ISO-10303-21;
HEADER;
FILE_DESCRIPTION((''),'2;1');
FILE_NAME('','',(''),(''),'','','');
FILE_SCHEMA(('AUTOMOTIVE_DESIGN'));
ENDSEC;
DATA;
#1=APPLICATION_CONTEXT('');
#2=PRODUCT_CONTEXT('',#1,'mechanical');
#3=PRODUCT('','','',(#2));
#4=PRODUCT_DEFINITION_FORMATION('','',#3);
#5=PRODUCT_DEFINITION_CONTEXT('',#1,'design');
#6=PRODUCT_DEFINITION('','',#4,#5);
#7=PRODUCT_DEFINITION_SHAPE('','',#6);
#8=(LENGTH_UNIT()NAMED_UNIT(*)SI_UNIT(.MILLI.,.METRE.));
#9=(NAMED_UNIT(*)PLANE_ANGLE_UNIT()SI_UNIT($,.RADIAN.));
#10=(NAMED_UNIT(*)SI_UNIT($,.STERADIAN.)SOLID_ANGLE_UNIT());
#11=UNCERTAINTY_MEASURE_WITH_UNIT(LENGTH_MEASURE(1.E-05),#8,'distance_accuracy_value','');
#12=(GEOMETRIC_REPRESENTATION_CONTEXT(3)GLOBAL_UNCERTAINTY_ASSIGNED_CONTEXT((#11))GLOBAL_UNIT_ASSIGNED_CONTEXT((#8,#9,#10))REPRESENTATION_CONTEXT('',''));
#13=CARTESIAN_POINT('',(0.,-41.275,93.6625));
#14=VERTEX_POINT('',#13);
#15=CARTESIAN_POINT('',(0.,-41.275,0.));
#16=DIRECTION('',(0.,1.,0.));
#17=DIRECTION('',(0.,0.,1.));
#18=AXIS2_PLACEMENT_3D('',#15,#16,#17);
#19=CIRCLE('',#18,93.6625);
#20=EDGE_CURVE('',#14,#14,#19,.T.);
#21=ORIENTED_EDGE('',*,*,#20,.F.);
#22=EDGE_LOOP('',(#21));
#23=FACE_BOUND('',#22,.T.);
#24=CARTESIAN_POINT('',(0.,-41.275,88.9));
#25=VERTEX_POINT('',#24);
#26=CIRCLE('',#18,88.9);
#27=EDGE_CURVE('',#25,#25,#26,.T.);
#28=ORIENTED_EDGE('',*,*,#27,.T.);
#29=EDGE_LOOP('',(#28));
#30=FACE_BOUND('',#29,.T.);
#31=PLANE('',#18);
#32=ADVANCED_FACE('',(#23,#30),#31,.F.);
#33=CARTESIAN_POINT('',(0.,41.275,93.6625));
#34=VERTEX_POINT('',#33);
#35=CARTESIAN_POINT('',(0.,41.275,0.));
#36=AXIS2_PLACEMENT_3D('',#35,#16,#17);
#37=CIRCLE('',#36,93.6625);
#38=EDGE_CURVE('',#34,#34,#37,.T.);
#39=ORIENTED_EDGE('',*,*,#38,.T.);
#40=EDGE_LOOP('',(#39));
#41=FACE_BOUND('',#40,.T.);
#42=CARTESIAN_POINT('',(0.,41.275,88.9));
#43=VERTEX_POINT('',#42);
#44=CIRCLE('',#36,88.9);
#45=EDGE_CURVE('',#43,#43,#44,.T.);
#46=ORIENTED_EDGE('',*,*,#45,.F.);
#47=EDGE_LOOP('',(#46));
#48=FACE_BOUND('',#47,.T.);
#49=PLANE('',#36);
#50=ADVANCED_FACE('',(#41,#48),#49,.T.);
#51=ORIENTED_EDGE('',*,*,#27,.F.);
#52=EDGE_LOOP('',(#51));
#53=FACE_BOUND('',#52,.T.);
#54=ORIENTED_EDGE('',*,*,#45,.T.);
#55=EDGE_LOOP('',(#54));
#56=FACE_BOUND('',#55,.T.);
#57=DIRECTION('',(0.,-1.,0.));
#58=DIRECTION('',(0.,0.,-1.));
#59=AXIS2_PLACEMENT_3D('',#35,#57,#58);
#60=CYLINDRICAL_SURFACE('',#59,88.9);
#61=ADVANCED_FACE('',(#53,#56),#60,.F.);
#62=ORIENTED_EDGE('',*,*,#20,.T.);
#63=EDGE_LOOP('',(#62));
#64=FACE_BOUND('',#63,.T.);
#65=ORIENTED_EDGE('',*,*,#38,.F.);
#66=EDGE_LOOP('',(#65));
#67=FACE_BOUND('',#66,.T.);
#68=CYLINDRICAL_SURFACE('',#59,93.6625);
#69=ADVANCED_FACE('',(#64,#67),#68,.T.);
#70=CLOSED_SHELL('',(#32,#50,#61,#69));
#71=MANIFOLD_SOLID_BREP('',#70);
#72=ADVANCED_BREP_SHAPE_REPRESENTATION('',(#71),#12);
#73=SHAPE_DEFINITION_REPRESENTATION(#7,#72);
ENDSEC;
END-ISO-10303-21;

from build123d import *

# Parameters (mm, degrees)
SKETCH1_R           = 93.6625
SKETCH1_R_2         = 88.9
BOSS_EXTRUDE1_DEPTH = 41.275


with BuildPart() as part:
    # Sketch1 → Boss-Extrude1 (new, symmetric)
    with BuildSketch(Plane(origin=(0, 0, 0), x_dir=(1, 0, 0), z_dir=(0, 1, 0))):
        with Locations(Location((0, 0, 0), (0, 0, 270))):
            Circle(SKETCH1_R)
        with Locations(Location((0, 0, 0), (0, 0, 270))):
            Circle(SKETCH1_R_2, mode=Mode.SUBTRACT)
    extrude(amount=BOSS_EXTRUDE1_DEPTH, both=True)


solid = part.part
